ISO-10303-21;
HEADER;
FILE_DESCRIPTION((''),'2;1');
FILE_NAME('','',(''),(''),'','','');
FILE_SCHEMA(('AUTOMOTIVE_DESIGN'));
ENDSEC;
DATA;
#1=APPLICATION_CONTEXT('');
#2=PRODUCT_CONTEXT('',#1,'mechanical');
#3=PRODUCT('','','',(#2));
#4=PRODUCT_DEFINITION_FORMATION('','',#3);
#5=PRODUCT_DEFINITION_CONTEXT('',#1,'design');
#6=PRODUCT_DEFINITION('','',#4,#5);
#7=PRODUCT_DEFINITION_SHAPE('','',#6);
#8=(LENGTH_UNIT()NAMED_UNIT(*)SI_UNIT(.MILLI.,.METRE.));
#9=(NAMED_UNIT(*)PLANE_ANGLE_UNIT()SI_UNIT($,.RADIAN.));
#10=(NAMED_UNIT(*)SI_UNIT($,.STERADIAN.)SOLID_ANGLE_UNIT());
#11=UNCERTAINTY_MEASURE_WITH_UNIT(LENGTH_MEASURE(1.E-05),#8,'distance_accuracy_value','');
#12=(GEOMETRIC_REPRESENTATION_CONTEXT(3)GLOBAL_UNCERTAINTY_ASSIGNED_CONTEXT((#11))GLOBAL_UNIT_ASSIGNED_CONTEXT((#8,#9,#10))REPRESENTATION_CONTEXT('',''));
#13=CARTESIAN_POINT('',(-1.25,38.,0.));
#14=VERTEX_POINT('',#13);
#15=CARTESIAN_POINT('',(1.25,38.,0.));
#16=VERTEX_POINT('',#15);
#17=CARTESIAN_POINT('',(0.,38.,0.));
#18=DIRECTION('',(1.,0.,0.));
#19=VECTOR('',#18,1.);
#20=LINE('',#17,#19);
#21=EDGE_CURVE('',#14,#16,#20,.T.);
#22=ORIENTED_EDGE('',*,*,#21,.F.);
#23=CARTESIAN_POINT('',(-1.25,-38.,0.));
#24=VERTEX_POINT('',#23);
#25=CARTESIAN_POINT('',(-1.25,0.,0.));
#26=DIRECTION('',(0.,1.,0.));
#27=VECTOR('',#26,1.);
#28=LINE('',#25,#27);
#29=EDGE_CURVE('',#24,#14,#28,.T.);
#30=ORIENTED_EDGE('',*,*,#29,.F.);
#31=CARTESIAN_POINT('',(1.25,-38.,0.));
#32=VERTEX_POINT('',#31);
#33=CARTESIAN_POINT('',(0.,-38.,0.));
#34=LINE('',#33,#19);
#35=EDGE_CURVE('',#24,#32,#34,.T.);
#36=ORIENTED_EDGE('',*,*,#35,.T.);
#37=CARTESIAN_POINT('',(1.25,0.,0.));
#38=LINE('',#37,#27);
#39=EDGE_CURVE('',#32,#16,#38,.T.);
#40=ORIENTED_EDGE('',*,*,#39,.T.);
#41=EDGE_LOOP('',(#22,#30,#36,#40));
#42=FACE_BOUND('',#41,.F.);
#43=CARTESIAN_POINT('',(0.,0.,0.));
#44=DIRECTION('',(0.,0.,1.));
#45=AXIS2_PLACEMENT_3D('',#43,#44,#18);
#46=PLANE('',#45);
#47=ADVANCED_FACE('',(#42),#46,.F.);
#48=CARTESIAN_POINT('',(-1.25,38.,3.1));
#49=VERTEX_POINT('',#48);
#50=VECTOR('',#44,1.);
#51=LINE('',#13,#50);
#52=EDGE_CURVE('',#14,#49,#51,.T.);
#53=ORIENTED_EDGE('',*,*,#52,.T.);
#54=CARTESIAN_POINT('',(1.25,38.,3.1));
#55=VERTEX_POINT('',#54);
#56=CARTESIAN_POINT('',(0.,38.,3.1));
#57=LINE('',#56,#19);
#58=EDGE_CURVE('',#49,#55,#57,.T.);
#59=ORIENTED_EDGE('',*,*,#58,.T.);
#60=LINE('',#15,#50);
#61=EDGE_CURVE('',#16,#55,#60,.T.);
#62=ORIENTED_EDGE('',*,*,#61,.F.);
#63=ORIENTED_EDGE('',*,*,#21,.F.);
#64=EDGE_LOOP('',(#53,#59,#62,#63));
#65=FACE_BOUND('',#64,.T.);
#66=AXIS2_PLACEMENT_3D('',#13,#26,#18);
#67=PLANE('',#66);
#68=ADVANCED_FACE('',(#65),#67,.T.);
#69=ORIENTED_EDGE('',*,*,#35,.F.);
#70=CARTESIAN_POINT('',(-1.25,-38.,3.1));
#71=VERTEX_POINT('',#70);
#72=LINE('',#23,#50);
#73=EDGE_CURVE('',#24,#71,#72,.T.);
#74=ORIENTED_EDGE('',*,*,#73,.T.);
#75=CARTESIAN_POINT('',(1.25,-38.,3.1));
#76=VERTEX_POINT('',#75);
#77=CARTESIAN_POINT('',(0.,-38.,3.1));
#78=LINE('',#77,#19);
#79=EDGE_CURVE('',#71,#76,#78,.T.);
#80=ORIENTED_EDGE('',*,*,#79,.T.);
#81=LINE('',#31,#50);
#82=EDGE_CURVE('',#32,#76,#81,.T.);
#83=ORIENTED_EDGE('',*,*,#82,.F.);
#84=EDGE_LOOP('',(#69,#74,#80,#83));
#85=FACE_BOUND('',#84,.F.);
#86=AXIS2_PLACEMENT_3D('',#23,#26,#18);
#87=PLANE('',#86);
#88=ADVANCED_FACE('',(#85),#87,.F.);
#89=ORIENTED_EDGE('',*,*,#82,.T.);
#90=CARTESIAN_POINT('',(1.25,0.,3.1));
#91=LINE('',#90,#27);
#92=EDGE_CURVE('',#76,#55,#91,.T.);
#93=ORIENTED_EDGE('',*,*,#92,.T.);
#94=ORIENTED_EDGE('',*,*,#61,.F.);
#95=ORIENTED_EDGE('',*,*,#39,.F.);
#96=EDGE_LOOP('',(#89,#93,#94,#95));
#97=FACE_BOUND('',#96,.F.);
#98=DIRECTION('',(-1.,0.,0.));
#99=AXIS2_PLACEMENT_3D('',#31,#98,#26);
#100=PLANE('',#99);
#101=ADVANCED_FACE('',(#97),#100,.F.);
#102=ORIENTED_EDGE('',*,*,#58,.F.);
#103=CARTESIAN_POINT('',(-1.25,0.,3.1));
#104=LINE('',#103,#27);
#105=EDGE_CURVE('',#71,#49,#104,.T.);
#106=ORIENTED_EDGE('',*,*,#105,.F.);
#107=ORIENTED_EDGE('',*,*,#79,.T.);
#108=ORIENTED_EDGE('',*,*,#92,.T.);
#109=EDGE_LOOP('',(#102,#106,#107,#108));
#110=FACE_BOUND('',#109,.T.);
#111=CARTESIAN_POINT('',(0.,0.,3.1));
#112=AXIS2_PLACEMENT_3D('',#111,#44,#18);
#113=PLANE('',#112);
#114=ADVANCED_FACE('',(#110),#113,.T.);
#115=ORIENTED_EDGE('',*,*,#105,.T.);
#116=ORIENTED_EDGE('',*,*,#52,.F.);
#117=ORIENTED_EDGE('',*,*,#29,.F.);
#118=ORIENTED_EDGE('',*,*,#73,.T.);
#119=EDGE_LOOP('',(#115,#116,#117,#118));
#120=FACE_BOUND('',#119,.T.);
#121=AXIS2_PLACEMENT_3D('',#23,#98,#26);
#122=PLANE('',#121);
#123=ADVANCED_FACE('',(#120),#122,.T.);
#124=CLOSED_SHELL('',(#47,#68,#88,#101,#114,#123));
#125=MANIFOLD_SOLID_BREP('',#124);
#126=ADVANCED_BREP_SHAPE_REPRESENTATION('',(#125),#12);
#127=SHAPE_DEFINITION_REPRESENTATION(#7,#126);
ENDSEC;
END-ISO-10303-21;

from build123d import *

# Parameters (mm, degrees)
SKETCH_W  = 2.5
SKETCH_H  = 76
PAD_DEPTH = 3.1


with BuildPart() as part:
    # Sketch → Pad (new body)
    with BuildSketch(Plane.XY):
        Rectangle(SKETCH_W, SKETCH_H)
    extrude(amount=PAD_DEPTH)


solid = part.part
